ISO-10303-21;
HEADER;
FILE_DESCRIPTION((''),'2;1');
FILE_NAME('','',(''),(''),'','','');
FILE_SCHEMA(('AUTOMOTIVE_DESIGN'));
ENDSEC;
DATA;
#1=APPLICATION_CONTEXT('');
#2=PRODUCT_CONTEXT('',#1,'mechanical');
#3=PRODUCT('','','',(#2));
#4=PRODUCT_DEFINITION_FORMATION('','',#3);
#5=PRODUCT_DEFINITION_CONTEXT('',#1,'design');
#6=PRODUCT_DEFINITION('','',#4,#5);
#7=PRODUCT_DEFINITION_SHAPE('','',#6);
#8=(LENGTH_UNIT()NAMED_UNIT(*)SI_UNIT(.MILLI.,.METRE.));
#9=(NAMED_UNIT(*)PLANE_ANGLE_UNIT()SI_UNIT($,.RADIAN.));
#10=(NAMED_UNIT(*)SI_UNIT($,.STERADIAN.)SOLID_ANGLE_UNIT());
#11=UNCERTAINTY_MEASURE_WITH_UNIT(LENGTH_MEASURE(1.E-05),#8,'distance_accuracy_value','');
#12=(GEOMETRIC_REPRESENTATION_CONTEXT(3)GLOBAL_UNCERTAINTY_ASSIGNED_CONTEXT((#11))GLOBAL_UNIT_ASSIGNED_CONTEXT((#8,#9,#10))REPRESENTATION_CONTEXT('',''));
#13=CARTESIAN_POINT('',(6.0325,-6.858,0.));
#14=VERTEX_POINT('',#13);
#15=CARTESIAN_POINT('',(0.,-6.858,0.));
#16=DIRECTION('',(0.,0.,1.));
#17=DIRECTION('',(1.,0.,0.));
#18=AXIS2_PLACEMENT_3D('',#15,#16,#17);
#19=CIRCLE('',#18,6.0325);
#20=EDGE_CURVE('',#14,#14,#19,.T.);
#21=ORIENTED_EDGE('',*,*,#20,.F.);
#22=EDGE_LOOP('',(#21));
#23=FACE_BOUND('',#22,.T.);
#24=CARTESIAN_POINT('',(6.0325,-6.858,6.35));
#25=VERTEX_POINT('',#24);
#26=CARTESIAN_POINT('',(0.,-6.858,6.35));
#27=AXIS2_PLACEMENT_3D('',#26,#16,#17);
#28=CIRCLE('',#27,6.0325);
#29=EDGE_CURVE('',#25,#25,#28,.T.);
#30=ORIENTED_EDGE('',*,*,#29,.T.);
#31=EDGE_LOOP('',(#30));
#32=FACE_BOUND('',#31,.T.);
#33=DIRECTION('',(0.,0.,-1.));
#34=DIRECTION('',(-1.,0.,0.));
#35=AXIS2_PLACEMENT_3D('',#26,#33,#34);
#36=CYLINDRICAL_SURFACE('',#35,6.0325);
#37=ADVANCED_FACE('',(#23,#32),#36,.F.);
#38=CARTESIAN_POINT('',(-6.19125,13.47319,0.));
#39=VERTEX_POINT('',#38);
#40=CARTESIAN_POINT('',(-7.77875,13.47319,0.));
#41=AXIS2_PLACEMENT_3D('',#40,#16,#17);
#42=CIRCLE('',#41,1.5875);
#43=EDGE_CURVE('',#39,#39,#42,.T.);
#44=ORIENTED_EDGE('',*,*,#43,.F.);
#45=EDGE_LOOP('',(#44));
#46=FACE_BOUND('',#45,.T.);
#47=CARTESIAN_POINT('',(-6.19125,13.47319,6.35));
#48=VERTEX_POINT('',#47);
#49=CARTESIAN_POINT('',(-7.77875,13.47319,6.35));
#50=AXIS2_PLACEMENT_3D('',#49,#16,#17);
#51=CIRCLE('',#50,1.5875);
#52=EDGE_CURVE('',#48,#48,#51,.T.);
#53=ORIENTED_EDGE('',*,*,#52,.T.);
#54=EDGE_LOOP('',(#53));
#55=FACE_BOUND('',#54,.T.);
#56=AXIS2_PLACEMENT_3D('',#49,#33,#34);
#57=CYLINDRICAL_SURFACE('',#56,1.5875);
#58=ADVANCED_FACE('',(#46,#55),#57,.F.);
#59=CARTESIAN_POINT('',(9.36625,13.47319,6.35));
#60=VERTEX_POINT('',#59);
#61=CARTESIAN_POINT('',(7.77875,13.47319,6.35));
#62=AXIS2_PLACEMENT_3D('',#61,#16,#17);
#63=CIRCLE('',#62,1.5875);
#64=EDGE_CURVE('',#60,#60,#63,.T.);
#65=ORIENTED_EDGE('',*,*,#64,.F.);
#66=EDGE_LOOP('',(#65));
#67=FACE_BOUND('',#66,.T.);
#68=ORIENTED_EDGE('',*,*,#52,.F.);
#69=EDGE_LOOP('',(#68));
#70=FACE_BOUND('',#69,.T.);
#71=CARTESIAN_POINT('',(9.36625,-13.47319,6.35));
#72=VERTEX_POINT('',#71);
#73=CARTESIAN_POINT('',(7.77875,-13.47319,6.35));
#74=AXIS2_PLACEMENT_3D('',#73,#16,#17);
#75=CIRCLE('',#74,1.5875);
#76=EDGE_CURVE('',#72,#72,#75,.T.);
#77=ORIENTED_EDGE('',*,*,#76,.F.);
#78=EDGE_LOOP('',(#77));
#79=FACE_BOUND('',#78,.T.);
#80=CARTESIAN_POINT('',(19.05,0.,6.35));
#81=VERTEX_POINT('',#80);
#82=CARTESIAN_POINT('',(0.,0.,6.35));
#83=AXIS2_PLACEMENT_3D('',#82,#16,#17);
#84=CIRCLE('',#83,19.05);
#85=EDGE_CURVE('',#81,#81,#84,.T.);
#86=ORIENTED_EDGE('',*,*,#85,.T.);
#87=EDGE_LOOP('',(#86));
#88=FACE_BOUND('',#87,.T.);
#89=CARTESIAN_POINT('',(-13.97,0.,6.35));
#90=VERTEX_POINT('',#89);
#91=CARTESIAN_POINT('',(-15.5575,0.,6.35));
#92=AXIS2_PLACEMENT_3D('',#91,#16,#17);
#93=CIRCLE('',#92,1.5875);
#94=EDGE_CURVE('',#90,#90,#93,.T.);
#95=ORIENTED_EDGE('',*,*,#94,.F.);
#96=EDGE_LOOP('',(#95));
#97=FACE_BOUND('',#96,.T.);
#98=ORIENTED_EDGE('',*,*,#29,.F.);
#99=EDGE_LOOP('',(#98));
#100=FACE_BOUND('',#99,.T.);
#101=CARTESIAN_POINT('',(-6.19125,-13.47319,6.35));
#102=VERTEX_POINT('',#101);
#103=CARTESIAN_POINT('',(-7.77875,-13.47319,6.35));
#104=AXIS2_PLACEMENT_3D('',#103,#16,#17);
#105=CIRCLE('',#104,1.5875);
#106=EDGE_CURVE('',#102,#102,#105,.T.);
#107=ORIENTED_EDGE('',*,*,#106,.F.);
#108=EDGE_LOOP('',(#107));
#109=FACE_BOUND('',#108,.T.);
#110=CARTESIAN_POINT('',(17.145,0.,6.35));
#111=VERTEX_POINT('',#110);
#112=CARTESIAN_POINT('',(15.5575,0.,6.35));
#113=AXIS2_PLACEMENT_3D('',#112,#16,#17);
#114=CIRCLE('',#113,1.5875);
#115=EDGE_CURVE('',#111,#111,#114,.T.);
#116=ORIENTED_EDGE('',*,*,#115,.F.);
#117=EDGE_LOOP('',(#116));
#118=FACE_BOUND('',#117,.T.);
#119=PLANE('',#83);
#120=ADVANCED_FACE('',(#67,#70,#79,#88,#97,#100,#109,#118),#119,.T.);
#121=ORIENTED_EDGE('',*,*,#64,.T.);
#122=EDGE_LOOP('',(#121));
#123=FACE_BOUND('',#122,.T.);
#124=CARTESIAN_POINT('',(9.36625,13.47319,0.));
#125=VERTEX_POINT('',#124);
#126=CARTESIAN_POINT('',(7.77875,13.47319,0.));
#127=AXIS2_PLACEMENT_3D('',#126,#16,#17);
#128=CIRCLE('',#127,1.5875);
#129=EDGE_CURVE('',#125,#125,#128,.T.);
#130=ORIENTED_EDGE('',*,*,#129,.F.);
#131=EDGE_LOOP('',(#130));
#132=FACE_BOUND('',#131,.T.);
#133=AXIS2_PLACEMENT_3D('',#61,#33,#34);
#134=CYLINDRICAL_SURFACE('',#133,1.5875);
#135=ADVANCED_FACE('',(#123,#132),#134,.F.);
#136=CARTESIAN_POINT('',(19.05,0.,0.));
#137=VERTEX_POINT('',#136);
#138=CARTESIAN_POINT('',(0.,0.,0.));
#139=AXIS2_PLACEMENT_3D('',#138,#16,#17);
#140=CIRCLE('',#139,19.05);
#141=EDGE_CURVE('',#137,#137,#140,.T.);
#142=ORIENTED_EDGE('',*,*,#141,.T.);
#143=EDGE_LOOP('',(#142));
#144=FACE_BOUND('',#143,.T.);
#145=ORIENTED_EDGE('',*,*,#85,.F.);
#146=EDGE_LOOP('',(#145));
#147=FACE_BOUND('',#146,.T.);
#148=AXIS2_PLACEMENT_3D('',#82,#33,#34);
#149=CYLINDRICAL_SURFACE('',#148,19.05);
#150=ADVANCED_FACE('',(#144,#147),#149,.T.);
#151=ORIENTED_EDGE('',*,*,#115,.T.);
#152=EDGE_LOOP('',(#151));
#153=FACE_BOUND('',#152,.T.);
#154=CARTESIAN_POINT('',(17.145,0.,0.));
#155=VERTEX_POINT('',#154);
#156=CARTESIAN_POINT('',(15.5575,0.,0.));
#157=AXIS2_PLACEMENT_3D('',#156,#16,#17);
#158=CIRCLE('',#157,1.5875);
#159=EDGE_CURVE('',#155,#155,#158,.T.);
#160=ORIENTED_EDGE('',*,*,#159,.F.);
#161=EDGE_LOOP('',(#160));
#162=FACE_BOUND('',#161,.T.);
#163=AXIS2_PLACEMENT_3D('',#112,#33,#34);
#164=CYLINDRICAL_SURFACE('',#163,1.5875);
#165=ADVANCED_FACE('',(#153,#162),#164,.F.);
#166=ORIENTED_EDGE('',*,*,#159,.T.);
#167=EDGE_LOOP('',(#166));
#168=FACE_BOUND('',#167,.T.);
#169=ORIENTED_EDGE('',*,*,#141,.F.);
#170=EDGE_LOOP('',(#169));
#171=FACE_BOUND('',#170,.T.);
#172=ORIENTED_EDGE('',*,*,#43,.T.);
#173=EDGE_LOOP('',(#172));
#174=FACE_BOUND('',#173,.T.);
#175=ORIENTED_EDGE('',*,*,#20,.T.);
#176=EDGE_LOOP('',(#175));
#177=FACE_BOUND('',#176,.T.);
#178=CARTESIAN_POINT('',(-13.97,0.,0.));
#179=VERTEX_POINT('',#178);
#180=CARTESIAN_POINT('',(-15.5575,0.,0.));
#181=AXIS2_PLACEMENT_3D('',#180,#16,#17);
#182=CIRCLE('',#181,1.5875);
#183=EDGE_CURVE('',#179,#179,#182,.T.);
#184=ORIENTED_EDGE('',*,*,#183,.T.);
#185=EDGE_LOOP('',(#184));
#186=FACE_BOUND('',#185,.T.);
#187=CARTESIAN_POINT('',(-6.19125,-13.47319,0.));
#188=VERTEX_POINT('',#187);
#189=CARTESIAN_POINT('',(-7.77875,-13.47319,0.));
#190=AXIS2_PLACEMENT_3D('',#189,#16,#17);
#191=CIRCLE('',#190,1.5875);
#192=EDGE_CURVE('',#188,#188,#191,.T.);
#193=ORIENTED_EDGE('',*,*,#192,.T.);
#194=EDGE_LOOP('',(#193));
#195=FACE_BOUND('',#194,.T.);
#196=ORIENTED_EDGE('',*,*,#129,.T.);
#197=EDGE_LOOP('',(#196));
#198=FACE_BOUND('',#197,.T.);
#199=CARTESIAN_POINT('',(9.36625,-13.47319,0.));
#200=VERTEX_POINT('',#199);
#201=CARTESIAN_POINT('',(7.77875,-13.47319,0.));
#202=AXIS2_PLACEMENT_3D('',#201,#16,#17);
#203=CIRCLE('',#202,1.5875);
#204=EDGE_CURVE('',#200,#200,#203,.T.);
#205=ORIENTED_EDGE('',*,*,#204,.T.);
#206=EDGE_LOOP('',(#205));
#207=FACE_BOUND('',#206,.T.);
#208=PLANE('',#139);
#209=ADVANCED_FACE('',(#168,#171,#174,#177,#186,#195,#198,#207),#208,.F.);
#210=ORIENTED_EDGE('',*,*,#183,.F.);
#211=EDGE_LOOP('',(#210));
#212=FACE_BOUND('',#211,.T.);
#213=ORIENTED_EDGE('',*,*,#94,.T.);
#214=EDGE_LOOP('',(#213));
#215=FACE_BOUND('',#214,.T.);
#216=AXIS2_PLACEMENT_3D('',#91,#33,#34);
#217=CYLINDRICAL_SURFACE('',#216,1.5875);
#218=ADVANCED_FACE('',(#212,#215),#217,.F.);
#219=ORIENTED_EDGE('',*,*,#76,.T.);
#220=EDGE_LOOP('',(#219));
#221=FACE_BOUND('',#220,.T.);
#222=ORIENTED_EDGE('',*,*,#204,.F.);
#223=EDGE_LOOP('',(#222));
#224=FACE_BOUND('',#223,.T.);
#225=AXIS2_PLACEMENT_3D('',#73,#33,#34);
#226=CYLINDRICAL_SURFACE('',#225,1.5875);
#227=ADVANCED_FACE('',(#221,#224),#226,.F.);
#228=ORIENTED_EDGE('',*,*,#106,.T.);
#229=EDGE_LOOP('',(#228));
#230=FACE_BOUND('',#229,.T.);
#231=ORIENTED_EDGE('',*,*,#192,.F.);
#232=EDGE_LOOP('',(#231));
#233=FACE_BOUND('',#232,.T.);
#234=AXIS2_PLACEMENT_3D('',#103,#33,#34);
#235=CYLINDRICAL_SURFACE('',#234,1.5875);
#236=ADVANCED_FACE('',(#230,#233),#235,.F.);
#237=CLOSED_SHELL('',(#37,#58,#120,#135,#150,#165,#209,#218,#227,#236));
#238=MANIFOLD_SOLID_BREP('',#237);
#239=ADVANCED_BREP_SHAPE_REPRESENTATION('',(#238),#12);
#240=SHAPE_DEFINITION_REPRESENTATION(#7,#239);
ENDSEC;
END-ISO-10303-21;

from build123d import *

# Parameters (mm, degrees)
SKETCH1_R           = 19.05
SKETCH1_R_2         = 6.0325
SKETCH1_R_3         = 1.5875
BOSS_EXTRUDE1_DEPTH = 6.35


with BuildPart() as part:
    # Sketch1 → Boss-Extrude1 (new body)
    with BuildSketch(Plane.XY):
        Circle(SKETCH1_R)
        with Locations((0, -6.858)):
            Circle(SKETCH1_R_2, mode=Mode.SUBTRACT)
        with Locations((-7.77875, 13.473190219)):
            Circle(SKETCH1_R_3, mode=Mode.SUBTRACT)
        with Locations((7.77875, 13.473190219)):
            Circle(SKETCH1_R_3, mode=Mode.SUBTRACT)
        with Locations((15.5575, 0)):
            Circle(SKETCH1_R_3, mode=Mode.SUBTRACT)
        with Locations((7.77875, -13.473190219)):
            Circle(SKETCH1_R_3, mode=Mode.SUBTRACT)
        with Locations((-7.77875, -13.473190219)):
            Circle(SKETCH1_R_3, mode=Mode.SUBTRACT)
        with Locations((-15.5575, 0)):
            Circle(SKETCH1_R_3, mode=Mode.SUBTRACT)
    extrude(amount=BOSS_EXTRUDE1_DEPTH)


solid = part.part
